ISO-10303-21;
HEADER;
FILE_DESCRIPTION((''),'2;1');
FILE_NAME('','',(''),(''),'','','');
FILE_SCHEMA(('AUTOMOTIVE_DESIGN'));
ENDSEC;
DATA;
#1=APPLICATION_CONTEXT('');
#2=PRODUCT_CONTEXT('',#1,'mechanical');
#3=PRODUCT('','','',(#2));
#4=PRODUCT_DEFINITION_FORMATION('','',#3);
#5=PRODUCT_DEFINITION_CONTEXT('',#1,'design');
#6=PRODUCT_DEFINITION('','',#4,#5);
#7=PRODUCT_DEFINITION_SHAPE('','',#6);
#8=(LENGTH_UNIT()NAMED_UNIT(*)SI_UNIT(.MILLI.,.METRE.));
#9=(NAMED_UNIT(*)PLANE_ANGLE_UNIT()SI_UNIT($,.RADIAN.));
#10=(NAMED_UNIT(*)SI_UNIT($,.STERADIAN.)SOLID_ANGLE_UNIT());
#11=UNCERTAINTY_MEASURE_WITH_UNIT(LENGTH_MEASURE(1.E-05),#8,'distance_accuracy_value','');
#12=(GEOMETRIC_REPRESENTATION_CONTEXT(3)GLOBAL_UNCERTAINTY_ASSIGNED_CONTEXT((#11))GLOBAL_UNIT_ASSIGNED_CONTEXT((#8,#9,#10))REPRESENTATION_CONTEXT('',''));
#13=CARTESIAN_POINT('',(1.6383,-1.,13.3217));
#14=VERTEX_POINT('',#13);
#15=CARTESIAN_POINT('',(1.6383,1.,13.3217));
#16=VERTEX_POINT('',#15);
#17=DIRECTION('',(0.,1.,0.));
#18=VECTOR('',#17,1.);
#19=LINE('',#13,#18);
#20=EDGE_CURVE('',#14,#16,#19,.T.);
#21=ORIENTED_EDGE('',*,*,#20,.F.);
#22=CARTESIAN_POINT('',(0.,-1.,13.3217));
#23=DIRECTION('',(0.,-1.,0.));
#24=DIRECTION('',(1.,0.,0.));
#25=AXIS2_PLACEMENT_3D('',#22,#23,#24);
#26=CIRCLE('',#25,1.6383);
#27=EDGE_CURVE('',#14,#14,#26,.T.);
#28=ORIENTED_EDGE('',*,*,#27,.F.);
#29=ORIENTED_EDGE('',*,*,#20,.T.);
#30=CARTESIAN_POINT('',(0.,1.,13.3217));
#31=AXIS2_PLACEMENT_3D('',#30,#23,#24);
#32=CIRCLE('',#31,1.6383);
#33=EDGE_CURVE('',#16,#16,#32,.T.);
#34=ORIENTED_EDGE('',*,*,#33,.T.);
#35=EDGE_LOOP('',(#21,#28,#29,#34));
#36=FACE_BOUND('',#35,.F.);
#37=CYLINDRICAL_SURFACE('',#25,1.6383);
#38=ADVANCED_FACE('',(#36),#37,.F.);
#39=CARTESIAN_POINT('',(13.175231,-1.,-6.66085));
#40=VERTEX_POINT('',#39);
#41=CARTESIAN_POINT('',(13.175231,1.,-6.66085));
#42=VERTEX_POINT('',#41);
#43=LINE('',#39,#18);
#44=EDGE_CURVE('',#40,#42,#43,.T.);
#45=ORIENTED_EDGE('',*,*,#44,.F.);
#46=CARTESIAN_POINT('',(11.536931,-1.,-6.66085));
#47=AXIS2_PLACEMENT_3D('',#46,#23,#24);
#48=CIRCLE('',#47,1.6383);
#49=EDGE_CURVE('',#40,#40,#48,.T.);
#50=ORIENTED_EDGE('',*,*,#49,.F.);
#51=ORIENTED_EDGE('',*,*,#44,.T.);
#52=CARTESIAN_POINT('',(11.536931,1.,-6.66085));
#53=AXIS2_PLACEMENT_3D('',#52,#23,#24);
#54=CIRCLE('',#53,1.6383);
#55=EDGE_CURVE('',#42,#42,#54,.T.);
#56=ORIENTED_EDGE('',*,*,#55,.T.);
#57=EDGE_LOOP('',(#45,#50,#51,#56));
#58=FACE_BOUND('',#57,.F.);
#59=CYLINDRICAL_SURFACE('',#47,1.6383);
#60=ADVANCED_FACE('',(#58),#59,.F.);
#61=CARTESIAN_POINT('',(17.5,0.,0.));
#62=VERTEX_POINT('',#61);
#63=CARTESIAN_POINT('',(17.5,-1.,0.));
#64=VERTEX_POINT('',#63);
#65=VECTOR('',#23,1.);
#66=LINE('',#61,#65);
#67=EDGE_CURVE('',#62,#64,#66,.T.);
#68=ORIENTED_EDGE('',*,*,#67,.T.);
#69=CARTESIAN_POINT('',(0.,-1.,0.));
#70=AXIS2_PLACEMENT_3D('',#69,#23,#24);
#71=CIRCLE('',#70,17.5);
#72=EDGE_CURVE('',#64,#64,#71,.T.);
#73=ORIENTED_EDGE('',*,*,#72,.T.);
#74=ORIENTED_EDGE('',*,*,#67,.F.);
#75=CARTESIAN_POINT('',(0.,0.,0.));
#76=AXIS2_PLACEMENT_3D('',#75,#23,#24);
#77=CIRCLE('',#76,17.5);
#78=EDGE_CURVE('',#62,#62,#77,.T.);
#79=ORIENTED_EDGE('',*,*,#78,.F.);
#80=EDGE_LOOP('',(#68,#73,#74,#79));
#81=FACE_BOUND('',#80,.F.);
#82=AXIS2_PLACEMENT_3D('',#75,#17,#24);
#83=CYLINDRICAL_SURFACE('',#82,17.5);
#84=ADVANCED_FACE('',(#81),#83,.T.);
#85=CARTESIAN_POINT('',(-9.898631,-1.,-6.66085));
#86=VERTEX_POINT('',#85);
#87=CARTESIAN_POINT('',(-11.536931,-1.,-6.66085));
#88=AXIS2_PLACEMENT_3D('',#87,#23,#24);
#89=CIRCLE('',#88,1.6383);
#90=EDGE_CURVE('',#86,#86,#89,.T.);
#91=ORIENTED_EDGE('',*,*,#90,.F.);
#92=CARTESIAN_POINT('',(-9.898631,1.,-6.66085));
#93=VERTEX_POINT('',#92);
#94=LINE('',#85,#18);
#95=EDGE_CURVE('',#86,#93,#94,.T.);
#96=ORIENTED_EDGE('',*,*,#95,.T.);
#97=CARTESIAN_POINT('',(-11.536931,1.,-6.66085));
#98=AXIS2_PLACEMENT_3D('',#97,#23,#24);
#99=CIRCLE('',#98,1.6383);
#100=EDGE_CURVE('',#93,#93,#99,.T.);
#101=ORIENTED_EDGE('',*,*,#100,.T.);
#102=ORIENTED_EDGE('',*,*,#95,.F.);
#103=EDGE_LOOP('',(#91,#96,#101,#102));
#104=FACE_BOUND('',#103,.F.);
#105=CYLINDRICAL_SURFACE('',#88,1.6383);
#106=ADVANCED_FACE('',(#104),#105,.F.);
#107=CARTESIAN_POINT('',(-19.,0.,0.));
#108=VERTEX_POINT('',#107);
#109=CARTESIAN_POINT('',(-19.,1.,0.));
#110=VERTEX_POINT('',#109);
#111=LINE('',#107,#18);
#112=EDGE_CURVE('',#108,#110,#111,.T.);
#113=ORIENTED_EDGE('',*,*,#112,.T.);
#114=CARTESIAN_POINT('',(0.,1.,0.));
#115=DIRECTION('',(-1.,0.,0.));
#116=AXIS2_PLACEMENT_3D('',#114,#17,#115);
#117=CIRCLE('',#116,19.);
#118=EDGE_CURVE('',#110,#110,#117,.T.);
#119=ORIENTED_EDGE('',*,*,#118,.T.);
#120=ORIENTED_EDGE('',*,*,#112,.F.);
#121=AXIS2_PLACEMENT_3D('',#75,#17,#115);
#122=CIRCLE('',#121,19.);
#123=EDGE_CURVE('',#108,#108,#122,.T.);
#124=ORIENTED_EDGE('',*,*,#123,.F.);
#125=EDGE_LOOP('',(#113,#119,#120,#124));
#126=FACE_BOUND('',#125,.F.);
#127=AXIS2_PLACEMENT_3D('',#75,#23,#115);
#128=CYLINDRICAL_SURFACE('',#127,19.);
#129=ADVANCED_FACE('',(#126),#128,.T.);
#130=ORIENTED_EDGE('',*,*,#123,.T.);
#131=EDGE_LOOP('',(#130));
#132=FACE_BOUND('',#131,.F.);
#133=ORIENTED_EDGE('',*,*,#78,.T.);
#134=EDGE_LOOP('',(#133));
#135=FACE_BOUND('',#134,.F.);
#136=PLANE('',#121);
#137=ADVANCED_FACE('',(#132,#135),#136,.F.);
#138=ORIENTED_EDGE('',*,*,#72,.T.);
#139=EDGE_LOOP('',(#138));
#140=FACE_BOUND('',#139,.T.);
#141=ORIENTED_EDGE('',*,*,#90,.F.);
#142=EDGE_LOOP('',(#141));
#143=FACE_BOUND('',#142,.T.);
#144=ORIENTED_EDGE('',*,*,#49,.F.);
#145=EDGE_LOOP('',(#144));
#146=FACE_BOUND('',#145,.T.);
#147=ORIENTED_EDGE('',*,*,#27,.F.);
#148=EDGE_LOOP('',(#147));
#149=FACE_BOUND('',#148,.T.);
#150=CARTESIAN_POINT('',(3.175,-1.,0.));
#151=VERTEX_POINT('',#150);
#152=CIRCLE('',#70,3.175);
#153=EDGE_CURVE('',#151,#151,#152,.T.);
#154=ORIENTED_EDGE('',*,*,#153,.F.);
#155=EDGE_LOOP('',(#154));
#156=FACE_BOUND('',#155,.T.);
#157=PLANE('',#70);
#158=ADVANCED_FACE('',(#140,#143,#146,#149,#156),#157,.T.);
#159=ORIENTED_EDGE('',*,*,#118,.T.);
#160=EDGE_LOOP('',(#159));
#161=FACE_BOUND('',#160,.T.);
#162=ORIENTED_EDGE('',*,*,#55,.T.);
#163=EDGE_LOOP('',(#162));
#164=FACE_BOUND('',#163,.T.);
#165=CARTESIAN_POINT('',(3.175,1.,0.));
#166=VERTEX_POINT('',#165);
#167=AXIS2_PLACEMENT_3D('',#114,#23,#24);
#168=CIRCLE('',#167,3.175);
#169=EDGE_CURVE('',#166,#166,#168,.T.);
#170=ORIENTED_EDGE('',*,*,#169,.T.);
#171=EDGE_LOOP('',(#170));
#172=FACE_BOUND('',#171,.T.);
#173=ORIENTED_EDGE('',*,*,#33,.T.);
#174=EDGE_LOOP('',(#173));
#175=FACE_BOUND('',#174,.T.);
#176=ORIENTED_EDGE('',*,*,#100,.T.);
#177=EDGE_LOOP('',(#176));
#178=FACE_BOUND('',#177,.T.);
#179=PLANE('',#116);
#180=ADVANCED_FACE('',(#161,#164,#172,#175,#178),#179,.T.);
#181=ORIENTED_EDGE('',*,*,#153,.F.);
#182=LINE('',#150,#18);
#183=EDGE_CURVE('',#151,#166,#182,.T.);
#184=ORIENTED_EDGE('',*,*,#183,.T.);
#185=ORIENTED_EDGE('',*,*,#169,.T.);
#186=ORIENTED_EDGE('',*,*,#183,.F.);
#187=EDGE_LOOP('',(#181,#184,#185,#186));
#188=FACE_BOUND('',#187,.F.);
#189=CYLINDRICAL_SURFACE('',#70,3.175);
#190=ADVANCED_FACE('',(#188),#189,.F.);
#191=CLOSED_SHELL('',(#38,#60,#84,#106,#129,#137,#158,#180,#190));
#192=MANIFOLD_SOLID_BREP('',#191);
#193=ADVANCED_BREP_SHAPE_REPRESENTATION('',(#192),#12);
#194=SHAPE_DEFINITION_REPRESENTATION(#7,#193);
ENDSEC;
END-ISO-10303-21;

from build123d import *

# Parameters (mm, degrees)
F0_R     = 17.5
F1_DEPTH = 1
F2_R     = 19
F3_DEPTH = 1
F4_R     = 3.175
F5_DEPTH = 25.4
F6_R     = 1.6383
F7_DEPTH = 25.4


with BuildPart() as f1:
    # F0 (on Front) → F1 (new body)
    with BuildSketch(Plane.XZ):
        Circle(F0_R)
    extrude(amount=F1_DEPTH)

    # F2 (on face) → F3 (join)
    with BuildSketch(Plane(origin=(0, 0, 0), x_dir=(-1, 0, 0), z_dir=(0, 1, 0))):
        Circle(F2_R)
    extrude(amount=F3_DEPTH)

    # F4 (on face) → F5 (cut)
    with BuildSketch(Plane.XZ.offset(1)):
        Circle(F4_R)
    extrude(amount=-F5_DEPTH, mode=Mode.SUBTRACT)

    # F6 (on face) → F7 (cut)
    with BuildSketch(Plane.XZ.offset(1)):
        with Locations((0, 13.3217)):
            Circle(F6_R)
        with Locations((-11.536931, -6.66085)):
            Circle(F6_R)
        with Locations((11.536931, -6.66085)):
            Circle(F6_R)
    extrude(amount=-F7_DEPTH, mode=Mode.SUBTRACT)


solid = f1.part
